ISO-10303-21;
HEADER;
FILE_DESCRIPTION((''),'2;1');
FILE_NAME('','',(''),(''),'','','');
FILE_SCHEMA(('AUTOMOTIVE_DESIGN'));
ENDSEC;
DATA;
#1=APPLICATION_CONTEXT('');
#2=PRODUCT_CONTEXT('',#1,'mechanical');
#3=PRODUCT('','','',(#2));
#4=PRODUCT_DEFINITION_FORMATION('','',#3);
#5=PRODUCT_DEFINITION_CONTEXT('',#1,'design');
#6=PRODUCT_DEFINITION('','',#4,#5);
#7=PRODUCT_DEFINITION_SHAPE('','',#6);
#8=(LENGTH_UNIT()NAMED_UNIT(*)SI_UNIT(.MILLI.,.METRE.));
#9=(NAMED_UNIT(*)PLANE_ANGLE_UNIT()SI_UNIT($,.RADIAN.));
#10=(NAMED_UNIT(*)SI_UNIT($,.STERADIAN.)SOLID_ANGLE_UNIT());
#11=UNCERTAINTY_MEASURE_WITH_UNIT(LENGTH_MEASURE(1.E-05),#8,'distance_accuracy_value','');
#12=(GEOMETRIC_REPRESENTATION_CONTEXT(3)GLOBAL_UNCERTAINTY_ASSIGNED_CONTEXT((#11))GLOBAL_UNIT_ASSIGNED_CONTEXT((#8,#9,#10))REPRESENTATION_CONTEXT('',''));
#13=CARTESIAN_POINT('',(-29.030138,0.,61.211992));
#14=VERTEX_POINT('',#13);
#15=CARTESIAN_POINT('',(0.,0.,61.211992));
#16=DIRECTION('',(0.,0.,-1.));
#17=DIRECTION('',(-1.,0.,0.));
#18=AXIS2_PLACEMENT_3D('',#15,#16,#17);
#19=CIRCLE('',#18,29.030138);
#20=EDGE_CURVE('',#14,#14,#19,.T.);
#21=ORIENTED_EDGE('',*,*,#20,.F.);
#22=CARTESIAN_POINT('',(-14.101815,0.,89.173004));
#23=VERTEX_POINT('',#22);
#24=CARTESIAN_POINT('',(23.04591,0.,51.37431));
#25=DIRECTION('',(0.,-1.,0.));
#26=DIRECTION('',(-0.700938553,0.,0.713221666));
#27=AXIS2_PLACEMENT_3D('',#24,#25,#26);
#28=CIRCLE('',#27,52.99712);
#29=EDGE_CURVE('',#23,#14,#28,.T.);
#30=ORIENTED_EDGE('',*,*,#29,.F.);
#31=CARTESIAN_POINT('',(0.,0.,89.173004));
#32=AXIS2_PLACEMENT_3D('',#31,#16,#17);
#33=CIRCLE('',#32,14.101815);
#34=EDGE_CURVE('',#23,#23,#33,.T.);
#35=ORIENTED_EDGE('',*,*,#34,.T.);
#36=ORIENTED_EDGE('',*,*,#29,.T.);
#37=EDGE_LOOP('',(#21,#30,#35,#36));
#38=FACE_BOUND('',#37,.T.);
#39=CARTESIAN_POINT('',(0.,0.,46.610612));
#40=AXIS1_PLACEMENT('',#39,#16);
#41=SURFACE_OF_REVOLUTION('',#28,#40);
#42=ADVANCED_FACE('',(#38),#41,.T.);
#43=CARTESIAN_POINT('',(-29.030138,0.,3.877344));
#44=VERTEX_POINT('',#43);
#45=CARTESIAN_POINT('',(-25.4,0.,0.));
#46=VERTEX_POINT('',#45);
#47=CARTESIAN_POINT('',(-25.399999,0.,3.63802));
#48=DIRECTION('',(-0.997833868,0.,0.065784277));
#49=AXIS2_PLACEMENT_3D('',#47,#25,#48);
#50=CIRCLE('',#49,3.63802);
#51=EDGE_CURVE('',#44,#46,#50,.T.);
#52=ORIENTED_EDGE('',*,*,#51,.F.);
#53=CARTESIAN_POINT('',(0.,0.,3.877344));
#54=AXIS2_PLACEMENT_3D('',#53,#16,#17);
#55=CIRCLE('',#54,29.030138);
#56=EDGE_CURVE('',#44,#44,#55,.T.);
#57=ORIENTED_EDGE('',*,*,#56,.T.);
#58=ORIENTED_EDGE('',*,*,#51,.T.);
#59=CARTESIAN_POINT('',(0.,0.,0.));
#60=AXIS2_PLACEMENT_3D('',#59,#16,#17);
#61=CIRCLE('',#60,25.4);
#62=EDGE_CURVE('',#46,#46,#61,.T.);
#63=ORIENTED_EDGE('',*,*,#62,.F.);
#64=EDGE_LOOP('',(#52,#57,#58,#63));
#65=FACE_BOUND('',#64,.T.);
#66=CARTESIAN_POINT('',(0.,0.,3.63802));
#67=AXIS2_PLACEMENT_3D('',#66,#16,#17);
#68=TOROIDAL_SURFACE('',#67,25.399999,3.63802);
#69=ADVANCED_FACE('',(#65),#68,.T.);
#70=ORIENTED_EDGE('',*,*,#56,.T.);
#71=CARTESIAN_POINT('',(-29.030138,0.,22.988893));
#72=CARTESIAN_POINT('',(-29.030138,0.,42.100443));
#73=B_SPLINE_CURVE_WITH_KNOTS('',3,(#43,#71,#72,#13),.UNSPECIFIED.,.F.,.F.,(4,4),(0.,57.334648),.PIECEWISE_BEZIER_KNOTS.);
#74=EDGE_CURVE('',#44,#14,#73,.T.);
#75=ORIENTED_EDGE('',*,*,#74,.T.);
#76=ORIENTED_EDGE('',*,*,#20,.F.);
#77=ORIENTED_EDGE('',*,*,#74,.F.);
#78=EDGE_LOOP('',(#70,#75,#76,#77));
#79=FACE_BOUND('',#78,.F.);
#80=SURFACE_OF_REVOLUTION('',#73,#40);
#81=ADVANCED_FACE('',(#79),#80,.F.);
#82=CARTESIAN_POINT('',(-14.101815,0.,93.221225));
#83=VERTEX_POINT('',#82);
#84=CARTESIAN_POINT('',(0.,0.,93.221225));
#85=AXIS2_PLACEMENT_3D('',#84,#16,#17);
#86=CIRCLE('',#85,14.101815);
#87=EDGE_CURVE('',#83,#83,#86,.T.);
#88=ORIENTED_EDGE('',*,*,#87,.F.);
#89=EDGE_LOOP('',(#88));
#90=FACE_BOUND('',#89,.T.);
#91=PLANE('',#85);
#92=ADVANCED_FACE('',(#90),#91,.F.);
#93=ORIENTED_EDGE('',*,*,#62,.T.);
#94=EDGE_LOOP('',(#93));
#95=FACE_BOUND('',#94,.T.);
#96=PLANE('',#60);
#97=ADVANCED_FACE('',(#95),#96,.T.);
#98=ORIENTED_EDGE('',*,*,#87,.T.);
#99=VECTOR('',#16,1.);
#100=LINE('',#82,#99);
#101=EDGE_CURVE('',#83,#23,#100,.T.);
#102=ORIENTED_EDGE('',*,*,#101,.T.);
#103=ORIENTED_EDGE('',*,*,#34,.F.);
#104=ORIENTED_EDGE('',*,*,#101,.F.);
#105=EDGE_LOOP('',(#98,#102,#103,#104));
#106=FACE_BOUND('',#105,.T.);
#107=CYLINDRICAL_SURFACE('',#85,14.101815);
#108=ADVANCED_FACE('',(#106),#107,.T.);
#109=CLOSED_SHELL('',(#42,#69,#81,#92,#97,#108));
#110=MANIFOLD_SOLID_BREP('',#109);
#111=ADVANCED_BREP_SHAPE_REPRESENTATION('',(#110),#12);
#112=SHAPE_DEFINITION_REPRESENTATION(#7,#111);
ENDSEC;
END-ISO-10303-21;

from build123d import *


with BuildPart() as f1:
    # F0 (on Front) → F1 (revolve)
    with BuildSketch(Plane.XZ):
        with BuildLine():
            Line((-25.4, 0), (0, 0))
            Line((0, 0), (0, 93.221225))
            Line((0, 93.221225), (-14.101815, 93.221225))
            Line((-14.101815, 93.221225), (-14.101815, 89.173004))
            ThreePointArc((-14.101815, 89.173004), (-23.705293, 76.334674), (-29.030138, 61.211992))
            add(Edge.make_bspline(
                [(-29.030138, 3.877344), (-29.030138, 22.988893), (-29.030138, 42.100443), (-29.030138, 61.211992)],
                knots=[0, 0, 0, 0, 57.334648, 57.334648, 57.334648, 57.334648], degree=3))
            ThreePointArc((-29.030138, 3.877344), (-28.055734, 1.151605), (-25.4, 0))
        make_face()
    revolve(axis=Axis((0, 0, 46.610612), (0, 0, -1)))


solid = f1.part
